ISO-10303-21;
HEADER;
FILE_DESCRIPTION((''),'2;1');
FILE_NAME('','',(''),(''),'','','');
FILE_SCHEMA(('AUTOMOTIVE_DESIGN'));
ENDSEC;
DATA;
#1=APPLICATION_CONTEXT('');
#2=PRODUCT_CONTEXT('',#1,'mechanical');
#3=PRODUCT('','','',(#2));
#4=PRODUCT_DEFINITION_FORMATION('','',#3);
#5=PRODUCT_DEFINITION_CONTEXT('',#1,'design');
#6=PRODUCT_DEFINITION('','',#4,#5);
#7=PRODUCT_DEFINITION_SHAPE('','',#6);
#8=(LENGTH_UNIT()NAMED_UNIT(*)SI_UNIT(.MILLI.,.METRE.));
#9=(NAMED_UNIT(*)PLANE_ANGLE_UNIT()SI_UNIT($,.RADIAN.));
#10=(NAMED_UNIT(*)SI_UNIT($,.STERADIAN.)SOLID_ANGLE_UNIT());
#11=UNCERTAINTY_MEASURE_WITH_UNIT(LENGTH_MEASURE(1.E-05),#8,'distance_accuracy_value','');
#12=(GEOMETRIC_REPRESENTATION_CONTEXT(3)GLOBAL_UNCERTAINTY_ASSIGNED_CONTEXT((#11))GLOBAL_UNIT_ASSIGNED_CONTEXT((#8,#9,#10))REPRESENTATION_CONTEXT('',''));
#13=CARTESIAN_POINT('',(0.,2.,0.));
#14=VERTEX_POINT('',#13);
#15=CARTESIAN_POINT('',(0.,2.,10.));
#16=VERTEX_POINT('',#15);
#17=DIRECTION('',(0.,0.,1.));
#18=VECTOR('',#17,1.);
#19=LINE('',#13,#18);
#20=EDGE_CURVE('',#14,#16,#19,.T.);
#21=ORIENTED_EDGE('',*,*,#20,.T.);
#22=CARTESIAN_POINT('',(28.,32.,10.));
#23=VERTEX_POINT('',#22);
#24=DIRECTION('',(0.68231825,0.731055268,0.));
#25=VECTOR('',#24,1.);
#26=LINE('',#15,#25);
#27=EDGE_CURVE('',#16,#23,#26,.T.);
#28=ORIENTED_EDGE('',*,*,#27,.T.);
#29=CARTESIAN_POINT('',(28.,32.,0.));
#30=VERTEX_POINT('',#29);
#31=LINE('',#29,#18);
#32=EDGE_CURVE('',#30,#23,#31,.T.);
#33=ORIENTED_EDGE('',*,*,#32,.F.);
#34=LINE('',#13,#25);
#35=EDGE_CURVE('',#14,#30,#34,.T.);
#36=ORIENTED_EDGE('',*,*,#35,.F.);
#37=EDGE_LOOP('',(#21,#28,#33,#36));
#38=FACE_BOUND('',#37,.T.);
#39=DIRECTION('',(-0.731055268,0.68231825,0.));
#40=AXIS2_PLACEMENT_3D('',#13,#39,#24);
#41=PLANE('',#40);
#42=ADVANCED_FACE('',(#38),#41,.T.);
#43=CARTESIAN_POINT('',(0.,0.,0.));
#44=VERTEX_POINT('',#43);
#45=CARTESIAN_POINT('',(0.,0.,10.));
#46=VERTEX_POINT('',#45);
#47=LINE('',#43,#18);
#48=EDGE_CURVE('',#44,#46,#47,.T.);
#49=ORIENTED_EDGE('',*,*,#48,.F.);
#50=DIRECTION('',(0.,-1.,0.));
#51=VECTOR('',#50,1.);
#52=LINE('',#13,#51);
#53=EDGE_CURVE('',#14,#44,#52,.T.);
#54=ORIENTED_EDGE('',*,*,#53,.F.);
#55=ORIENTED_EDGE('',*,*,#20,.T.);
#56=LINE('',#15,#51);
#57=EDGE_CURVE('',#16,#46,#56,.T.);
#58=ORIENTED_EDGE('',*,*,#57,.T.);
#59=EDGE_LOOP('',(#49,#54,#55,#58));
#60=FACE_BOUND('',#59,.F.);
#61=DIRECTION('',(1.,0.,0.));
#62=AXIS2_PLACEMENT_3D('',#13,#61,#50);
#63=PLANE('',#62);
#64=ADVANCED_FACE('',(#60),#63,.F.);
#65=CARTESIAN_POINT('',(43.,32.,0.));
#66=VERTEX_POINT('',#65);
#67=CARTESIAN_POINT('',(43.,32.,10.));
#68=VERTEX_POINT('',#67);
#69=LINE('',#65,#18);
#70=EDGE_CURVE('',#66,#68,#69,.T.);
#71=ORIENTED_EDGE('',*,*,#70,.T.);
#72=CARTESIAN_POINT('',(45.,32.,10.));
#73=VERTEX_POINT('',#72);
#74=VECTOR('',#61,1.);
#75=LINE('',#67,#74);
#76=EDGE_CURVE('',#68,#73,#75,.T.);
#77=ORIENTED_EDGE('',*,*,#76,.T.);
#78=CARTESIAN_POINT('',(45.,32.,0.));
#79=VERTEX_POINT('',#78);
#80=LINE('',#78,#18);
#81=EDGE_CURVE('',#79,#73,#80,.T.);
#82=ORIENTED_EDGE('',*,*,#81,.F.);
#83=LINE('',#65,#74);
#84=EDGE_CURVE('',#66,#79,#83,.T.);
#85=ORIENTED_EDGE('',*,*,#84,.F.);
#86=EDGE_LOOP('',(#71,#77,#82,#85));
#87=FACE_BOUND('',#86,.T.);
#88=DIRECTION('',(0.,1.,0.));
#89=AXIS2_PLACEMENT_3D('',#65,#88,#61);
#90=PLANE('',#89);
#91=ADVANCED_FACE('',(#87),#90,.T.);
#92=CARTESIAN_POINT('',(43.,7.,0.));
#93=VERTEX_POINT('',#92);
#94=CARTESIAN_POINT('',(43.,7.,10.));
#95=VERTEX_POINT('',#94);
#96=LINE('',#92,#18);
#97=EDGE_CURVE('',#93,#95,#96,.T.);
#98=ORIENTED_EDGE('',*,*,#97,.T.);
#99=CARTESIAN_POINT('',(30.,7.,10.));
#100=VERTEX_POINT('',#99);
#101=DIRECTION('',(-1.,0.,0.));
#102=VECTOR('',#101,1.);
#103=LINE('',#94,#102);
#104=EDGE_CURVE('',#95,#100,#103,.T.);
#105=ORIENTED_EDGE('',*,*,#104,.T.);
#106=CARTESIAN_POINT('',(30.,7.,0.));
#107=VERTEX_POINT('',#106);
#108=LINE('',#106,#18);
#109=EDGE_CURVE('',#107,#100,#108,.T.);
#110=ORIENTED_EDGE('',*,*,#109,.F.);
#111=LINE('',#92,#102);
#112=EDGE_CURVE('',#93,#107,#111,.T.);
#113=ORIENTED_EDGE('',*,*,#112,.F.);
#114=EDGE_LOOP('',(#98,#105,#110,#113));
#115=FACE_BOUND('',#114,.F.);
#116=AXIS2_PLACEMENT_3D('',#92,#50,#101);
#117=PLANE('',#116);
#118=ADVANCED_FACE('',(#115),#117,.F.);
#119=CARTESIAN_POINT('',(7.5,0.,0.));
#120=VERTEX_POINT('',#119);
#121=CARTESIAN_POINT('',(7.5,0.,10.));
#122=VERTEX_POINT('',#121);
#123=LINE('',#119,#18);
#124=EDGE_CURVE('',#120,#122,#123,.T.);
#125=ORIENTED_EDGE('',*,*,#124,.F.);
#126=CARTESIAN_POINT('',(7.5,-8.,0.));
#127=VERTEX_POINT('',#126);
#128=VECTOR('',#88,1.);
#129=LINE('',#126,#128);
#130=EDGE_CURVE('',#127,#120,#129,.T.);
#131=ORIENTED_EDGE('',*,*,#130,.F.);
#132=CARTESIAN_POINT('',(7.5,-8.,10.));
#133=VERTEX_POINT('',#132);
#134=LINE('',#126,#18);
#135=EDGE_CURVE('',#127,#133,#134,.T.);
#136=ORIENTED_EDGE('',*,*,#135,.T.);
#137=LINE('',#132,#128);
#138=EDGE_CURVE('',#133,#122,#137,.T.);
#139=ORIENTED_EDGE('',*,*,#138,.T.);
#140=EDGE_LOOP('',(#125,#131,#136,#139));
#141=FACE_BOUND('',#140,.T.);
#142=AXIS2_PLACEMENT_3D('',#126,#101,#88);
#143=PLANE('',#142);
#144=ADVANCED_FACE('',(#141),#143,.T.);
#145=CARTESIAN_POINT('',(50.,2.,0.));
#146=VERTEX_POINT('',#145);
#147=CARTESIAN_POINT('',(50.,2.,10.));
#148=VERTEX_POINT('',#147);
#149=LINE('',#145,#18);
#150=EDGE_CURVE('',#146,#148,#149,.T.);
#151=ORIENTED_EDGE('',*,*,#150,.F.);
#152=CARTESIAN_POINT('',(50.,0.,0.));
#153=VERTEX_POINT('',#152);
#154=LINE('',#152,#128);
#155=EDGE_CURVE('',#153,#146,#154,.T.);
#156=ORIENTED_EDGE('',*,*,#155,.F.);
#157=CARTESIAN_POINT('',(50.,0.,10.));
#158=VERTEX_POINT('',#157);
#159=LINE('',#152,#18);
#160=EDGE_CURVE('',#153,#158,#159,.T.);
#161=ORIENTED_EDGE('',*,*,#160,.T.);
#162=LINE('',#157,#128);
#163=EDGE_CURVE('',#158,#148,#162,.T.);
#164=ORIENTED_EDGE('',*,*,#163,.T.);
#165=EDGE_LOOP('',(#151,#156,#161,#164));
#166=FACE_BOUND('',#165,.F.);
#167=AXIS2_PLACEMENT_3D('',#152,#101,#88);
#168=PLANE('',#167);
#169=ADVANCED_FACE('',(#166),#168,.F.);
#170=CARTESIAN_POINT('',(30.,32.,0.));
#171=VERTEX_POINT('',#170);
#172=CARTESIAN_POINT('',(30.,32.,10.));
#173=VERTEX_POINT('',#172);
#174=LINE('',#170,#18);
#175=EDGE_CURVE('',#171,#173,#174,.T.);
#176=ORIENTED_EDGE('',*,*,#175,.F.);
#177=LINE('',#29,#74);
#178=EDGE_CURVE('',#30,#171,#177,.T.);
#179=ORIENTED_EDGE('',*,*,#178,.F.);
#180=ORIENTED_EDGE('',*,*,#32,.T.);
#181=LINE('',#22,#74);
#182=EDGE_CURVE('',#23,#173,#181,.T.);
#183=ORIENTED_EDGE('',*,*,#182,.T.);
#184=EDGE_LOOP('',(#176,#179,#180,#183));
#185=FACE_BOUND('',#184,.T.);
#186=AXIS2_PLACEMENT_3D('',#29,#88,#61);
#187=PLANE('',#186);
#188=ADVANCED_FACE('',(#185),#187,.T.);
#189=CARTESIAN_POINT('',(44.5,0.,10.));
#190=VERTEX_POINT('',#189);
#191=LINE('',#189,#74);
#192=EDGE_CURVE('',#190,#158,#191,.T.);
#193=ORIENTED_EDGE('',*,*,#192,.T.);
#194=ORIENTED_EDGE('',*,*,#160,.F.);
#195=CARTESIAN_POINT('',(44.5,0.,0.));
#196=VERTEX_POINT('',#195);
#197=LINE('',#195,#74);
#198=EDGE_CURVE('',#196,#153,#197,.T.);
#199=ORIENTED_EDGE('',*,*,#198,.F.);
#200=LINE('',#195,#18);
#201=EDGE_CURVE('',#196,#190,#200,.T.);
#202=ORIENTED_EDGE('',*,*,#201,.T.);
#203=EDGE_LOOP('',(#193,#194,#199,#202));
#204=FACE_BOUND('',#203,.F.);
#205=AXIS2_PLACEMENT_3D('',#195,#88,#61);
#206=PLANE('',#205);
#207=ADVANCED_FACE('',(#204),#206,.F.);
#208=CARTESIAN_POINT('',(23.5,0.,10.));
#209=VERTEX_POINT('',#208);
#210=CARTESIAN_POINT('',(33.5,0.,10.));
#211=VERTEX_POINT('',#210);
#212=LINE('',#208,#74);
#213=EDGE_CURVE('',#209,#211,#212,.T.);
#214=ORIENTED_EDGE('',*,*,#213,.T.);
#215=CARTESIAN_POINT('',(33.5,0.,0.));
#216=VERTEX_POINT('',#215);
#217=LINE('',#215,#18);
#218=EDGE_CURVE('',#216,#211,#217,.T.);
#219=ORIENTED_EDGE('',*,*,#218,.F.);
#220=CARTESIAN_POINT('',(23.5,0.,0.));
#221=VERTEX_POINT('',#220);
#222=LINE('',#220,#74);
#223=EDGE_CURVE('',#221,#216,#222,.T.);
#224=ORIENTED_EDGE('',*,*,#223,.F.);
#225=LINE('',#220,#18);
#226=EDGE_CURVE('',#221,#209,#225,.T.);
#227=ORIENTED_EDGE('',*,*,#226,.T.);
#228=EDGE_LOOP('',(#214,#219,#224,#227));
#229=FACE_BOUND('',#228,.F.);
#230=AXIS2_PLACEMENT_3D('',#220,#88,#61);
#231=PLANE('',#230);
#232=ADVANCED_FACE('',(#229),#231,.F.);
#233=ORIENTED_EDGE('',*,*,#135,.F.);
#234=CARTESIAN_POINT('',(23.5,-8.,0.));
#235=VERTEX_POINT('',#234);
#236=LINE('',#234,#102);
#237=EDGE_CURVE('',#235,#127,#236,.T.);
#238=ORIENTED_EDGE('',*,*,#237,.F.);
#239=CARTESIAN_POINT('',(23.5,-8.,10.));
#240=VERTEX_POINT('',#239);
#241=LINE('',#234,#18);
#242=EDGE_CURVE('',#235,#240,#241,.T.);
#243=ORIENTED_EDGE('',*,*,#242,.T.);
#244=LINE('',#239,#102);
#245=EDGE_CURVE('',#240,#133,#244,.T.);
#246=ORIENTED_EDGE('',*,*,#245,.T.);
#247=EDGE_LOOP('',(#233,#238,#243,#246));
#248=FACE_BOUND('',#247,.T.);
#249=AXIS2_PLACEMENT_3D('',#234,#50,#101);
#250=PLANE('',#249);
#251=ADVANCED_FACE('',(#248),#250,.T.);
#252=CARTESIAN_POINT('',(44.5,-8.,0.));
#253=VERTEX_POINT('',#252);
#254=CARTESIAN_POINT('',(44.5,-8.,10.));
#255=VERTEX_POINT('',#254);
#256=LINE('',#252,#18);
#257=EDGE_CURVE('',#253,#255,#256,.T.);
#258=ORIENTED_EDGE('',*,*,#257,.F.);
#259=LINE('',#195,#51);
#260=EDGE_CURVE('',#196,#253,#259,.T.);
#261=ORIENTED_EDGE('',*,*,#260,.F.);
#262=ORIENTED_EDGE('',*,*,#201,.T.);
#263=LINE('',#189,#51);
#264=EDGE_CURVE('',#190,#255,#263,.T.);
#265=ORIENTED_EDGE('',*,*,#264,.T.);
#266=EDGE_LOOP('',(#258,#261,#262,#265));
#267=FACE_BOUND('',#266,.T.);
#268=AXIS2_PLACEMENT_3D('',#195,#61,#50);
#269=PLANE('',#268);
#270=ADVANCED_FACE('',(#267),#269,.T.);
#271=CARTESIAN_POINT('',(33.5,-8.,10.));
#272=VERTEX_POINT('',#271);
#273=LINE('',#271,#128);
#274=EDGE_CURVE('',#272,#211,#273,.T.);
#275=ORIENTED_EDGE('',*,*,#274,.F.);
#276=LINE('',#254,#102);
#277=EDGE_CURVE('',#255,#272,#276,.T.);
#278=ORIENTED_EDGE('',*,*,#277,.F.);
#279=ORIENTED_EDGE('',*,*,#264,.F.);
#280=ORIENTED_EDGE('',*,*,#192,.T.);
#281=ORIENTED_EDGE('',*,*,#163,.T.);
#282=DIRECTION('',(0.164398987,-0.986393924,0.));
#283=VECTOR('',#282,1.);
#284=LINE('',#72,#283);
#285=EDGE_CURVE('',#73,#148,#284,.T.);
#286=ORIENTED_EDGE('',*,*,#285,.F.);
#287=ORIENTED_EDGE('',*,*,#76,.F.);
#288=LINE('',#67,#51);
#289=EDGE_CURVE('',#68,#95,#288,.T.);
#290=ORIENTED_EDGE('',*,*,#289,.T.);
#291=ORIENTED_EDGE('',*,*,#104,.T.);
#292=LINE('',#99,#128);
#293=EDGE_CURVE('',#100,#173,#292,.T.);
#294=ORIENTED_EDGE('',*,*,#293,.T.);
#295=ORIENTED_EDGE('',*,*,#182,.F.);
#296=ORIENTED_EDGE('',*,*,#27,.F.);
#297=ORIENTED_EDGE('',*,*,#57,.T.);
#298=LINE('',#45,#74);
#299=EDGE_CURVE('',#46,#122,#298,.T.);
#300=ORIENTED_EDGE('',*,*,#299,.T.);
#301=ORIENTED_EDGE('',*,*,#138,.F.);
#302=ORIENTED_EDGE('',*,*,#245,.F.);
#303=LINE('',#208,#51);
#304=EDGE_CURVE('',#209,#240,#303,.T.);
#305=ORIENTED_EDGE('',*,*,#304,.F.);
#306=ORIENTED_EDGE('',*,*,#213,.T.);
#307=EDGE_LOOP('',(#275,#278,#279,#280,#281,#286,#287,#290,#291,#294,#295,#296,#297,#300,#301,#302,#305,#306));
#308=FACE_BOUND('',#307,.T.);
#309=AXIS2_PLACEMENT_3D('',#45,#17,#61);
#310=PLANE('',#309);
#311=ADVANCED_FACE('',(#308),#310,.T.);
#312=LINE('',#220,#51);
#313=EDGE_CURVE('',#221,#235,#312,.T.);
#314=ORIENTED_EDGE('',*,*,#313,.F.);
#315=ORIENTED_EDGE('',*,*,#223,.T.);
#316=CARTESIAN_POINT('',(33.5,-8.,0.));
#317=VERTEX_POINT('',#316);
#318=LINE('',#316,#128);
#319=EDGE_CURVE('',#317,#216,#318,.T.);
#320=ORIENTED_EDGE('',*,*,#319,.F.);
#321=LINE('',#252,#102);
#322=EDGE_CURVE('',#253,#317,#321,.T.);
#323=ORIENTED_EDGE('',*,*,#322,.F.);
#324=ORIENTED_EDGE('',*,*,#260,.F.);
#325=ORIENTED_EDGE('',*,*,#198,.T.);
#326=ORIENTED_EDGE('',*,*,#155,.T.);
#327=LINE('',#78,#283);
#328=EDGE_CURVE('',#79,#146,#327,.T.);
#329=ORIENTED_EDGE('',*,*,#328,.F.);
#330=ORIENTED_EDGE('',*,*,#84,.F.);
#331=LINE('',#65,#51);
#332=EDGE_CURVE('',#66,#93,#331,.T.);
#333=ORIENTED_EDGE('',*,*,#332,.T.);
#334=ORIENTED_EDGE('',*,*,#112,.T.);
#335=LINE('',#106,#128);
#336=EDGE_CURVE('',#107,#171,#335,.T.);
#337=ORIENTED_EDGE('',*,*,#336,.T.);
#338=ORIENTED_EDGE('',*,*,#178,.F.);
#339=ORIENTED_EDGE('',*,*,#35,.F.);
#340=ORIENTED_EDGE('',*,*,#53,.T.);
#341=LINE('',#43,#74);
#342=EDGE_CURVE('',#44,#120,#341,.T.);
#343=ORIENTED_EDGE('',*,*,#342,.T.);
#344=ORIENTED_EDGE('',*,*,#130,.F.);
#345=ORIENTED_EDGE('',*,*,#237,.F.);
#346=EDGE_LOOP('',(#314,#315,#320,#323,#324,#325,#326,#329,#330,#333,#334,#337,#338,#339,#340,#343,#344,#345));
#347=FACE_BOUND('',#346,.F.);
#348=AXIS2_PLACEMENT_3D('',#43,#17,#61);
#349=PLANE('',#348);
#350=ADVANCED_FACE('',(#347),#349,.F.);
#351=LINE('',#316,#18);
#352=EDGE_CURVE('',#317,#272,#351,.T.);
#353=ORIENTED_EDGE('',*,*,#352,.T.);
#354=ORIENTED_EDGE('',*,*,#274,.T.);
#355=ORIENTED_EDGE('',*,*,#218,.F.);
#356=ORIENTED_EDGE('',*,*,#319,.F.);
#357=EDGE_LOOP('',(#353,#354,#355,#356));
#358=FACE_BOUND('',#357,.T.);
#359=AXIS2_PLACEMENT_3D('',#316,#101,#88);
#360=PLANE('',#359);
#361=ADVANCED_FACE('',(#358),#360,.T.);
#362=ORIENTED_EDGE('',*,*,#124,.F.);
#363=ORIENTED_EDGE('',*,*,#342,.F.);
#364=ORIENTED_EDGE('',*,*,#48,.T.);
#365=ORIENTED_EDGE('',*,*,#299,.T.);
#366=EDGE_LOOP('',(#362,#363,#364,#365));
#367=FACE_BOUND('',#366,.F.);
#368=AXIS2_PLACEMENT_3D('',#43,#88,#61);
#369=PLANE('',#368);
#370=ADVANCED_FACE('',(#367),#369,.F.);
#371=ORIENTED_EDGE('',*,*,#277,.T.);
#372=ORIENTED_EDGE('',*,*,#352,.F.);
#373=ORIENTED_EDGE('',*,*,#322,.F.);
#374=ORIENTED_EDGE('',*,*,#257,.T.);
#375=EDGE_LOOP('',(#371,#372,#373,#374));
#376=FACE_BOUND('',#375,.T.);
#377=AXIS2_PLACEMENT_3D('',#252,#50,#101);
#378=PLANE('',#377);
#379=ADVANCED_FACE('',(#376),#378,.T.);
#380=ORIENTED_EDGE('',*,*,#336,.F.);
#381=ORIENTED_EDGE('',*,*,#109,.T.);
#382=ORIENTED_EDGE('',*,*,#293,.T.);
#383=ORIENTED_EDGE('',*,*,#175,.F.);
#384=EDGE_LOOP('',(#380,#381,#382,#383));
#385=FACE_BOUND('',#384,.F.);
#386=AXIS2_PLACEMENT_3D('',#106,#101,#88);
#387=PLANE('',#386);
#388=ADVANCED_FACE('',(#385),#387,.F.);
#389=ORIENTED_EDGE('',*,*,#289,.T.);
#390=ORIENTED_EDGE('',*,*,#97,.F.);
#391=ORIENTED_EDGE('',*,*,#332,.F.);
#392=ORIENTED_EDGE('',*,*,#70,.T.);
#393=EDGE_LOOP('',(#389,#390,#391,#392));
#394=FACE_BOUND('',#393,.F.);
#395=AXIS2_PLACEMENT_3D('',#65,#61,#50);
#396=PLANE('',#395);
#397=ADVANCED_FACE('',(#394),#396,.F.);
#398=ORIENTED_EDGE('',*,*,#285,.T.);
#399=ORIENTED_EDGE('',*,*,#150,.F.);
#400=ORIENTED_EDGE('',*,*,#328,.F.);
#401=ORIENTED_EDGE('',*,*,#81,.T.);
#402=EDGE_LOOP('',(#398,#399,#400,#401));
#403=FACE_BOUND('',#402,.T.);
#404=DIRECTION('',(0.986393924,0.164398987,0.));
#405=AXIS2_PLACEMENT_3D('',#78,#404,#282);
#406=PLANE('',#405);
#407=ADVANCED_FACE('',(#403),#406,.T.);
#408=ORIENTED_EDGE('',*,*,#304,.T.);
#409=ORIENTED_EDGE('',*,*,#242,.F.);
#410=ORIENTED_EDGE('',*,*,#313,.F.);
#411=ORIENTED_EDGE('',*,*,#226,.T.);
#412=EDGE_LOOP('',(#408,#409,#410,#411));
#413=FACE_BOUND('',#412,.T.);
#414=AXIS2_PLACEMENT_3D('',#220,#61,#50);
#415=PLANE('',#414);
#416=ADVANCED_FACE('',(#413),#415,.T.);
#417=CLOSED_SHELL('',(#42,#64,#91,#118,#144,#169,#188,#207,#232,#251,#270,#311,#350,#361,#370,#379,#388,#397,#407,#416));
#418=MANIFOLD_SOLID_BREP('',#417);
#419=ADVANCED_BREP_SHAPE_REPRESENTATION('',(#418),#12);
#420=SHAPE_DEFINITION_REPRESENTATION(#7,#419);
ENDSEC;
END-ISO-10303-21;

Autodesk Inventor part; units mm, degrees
ref_plane "YZ Plane" through (0, 0, 0) normal (1, 0, 0) x (0, 1, 0)
ref_plane "XZ Plane" through (0, 0, 0) normal (0, 1, 0) x (-1, 0, 0)
ref_plane "XY Plane" through (0, 0, 0) normal (0, 0, 1) x (1, 0, 0)
sketch "Esquisse1" plane through (0, 0, 0) normal (0, 0, 1) x (1, 0, 0)
  line L0 (50, 0) -> (50, 2)
  line L1 (0, 2) -> (0, 0)
  line L2 (43, 32) -> (43, 7)
  line L3 (43, 7) -> (30, 7)
  line L4 (30, 7) -> (30, 32)
  line L5 (28, 32) -> (30, 32)
  line L6 (43, 32) -> (45, 32)
  line L7 (0, 2) -> (50, 2) construction
  line L8 (0, 2) -> (28, 32)
  line L9 (45, 32) -> (50, 2)
  line L10 (23.5, 0) -> (23.5, -8)
  line L11 (23.5, -8) -> (7.5, -8)
  line L12 (7.5, -8) -> (7.5, 0)
  line L13 (44.5, 0) -> (44.5, -8)
  line L14 (44.5, -8) -> (33.5, -8)
  line L15 (33.5, -8) -> (33.5, 0)
  line L16 (0, 0) -> (7.5, 0)
  line L17 (23.5, 0) -> (33.5, 0)
  line L18 (44.5, 0) -> (50, 0)
  dimension "d10" = 50
  dimension "d12" = 13
  dimension "d13" = 7
  dimension "d14" = 25
  dimension "d15" = 25
  dimension "d21" = 16
  dimension "d23" = 7.5
  dimension "d24" = 11
  dimension "d26" = 5.5
  dimension "d27" = 7
  dimension "d28" = 8
  dimension "d29" = 8
  dimension "d30" = 8
  dimension "d31" = 8
  dimension "d34" = 80.538
  dimension "d35" = 30
  dimension "d36" = 46.975
extrude "Extrusion1" add sketch "Esquisse1" along normal blind 10
properties part number "Support_motor_front_ground"
